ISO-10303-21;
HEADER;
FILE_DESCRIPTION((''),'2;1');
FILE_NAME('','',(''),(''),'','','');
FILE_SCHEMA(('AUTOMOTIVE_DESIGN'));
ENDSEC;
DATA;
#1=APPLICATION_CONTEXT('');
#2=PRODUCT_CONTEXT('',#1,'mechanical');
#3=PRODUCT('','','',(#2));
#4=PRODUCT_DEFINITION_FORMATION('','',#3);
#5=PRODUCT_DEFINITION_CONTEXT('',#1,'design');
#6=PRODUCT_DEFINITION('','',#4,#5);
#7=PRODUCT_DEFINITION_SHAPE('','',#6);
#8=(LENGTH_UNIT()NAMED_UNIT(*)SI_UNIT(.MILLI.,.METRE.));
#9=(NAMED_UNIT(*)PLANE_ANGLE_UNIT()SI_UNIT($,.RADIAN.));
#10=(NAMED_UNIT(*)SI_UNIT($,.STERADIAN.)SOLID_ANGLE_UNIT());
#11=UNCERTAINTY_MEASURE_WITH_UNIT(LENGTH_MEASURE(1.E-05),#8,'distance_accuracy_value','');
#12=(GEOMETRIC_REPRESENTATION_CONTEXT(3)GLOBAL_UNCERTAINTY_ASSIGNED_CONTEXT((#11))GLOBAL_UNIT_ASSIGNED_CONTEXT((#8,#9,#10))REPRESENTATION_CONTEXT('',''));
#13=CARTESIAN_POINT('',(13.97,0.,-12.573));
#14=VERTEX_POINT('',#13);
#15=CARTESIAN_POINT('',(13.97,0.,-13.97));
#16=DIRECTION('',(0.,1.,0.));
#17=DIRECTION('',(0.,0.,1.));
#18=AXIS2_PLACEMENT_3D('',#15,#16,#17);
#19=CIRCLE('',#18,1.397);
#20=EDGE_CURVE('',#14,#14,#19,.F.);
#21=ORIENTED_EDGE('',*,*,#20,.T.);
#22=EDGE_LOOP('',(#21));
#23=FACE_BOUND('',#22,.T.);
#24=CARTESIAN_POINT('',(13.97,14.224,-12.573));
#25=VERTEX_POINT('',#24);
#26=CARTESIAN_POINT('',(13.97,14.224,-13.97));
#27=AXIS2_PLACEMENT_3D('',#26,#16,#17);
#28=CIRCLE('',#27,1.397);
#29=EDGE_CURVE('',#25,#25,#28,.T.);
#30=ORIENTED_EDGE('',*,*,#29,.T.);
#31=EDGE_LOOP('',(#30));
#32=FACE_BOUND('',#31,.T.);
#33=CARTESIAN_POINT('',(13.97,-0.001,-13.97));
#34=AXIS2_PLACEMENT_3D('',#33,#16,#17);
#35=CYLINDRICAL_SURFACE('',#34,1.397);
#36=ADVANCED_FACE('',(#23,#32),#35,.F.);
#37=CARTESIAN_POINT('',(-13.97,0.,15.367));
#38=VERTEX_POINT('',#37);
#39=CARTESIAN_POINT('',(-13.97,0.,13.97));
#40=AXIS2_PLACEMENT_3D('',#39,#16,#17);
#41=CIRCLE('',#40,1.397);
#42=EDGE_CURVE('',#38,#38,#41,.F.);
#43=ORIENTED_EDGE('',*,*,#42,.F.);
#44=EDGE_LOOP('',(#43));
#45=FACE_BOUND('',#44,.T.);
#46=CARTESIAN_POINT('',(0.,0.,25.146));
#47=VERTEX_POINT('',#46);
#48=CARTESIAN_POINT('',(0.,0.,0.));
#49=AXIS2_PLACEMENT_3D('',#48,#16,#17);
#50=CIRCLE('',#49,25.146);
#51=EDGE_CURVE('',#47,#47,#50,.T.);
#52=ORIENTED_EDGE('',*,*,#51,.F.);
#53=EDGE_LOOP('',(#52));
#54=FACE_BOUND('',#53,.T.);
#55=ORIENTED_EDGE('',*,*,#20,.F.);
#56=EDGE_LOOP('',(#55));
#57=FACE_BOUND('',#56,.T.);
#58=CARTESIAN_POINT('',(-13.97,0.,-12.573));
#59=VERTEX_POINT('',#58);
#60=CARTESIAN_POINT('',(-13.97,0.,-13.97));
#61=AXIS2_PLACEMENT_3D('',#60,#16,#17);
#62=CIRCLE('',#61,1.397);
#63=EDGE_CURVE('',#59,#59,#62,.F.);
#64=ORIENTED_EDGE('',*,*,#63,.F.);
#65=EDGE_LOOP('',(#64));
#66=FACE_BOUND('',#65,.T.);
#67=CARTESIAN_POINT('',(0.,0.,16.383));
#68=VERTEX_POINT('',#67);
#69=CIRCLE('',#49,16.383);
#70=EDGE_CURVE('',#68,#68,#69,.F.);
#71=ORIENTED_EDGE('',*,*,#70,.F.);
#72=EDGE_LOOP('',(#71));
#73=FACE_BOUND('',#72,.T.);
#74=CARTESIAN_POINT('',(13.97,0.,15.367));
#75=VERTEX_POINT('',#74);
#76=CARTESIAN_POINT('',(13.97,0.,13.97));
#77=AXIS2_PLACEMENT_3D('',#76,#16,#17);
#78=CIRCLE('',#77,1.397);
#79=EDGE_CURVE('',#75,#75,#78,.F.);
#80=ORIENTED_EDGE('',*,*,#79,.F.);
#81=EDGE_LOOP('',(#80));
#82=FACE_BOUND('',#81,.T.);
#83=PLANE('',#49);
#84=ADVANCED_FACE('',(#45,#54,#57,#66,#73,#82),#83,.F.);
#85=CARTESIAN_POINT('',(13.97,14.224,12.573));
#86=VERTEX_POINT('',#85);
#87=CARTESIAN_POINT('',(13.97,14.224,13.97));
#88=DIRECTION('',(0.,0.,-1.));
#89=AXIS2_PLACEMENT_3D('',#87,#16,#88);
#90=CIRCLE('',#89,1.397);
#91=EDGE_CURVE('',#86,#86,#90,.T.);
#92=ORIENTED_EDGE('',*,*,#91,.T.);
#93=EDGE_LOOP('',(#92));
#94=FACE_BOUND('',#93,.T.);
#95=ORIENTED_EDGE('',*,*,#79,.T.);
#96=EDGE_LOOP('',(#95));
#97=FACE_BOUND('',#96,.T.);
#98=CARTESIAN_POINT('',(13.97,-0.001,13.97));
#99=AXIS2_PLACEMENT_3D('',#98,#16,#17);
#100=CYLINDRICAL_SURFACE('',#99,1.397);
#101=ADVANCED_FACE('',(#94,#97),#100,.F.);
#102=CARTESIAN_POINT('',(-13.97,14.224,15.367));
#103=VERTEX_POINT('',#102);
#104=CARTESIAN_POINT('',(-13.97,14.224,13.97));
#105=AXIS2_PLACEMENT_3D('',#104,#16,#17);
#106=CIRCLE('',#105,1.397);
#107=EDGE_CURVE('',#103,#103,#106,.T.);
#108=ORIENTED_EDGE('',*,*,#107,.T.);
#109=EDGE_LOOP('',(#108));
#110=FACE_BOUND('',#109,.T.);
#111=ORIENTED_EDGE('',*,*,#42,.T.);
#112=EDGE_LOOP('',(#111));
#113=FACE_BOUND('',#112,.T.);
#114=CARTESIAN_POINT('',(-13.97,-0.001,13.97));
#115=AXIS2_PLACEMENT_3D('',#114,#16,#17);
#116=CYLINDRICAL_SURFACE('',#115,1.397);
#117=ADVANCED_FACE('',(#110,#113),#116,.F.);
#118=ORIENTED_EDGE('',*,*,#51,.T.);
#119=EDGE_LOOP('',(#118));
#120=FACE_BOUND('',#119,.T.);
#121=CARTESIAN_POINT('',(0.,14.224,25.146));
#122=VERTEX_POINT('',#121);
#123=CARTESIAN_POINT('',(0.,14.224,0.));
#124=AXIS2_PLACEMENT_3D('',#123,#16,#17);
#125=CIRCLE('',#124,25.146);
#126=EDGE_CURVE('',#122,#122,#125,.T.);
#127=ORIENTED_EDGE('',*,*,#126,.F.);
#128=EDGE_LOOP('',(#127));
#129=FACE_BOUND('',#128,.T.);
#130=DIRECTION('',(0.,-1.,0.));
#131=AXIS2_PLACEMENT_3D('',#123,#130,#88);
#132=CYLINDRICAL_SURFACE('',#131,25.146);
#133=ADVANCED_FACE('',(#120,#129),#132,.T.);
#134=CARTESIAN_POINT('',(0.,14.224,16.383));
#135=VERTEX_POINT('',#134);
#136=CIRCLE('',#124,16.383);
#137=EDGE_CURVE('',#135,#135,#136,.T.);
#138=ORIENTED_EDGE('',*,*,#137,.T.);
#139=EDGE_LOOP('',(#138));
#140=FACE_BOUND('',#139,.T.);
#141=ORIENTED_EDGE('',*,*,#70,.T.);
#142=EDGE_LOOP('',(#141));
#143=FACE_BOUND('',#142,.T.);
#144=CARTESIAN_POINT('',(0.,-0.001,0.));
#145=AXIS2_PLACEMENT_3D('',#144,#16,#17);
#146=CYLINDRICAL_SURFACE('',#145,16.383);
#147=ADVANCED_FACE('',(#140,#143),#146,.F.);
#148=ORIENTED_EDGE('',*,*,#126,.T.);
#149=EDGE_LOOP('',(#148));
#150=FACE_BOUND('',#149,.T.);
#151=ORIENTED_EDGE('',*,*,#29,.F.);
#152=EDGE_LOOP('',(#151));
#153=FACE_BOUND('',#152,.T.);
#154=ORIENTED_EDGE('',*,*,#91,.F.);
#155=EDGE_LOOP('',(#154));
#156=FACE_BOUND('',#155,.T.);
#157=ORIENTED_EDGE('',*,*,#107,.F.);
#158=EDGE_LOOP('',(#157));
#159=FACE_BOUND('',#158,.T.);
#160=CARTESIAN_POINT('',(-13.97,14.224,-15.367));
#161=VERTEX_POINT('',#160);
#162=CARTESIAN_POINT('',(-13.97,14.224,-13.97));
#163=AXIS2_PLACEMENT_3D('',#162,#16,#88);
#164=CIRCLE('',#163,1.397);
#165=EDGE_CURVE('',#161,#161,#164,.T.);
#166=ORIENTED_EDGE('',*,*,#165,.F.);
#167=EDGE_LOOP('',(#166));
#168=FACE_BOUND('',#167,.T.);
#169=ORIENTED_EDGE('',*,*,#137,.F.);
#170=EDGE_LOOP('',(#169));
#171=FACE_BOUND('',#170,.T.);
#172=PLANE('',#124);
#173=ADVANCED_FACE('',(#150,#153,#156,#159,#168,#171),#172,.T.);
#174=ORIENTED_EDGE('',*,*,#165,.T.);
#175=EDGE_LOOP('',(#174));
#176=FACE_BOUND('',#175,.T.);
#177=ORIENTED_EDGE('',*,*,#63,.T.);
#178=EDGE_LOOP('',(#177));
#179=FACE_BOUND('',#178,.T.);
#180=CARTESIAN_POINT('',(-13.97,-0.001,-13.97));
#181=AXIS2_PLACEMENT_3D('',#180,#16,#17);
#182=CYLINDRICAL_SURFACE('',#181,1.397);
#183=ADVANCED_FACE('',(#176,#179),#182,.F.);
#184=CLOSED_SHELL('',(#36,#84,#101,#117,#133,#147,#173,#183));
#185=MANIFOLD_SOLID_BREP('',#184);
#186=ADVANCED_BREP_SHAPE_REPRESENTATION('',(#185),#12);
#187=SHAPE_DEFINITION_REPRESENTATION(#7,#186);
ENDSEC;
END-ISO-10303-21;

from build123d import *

# Parameters (mm, degrees)
SKETCH1_R           = 25.146
BOSS_EXTRUDE1_DEPTH = 14.224
CUT_EXTRUDE1_REACH  = 16.224
SKETCH2_R           = 1.397
CUT_EXTRUDE2_REACH  = 16.224
SKETCH3_R           = 16.383


with BuildPart() as part:
    # Sketch1 → Boss-Extrude1 (new body)
    with BuildSketch(Plane(origin=(0, 0, 0), x_dir=(1, 0, 0), z_dir=(0, 1, 0))):
        Circle(SKETCH1_R)
    extrude(amount=BOSS_EXTRUDE1_DEPTH)

    # Sketch2 → Cut-Extrude1 (cut, up to next)
    with BuildSketch(Plane(origin=(0, 14.224, 0), x_dir=(1, 0, 0), z_dir=(0, 1, 0)), mode=Mode.PRIVATE) as cut_extrude1_sk1:
        with Locations((13.97, 13.97)):
            Circle(SKETCH2_R)
    cut_extrude1_tool1 = extrude(cut_extrude1_sk1.sketch, amount=-CUT_EXTRUDE1_REACH, mode=Mode.PRIVATE) & part.part
    add(cut_extrude1_tool1.solids().sort_by_distance((13.97, 14.224, -13.97))[0], mode=Mode.SUBTRACT)
    # Sketch2 → Cut-Extrude1 (cut, up to next)
    with BuildSketch(Plane(origin=(0, 14.224, 0), x_dir=(1, 0, 0), z_dir=(0, 1, 0)), mode=Mode.PRIVATE) as cut_extrude1_sk2:
        with Locations((13.97, -13.97)):
            Circle(SKETCH2_R)
    cut_extrude1_tool2 = extrude(cut_extrude1_sk2.sketch, amount=-CUT_EXTRUDE1_REACH, mode=Mode.PRIVATE) & part.part
    add(cut_extrude1_tool2.solids().sort_by_distance((13.97, 14.224, 13.97))[0], mode=Mode.SUBTRACT)
    # Sketch2 → Cut-Extrude1 (cut, up to next)
    with BuildSketch(Plane(origin=(0, 14.224, 0), x_dir=(1, 0, 0), z_dir=(0, 1, 0)), mode=Mode.PRIVATE) as cut_extrude1_sk3:
        with Locations((-13.97, -13.97)):
            Circle(SKETCH2_R)
    cut_extrude1_tool3 = extrude(cut_extrude1_sk3.sketch, amount=-CUT_EXTRUDE1_REACH, mode=Mode.PRIVATE) & part.part
    add(cut_extrude1_tool3.solids().sort_by_distance((-13.97, 14.224, 13.97))[0], mode=Mode.SUBTRACT)
    # Sketch2 → Cut-Extrude1 (cut, up to next)
    with BuildSketch(Plane(origin=(0, 14.224, 0), x_dir=(1, 0, 0), z_dir=(0, 1, 0)), mode=Mode.PRIVATE) as cut_extrude1_sk4:
        with Locations((-13.97, 13.97)):
            Circle(SKETCH2_R)
    cut_extrude1_tool4 = extrude(cut_extrude1_sk4.sketch, amount=-CUT_EXTRUDE1_REACH, mode=Mode.PRIVATE) & part.part
    add(cut_extrude1_tool4.solids().sort_by_distance((-13.97, 14.224, -13.97))[0], mode=Mode.SUBTRACT)

    # Sketch3 → Cut-Extrude2 (cut, up to next)
    with BuildSketch(Plane(origin=(0, 14.224, 0), x_dir=(1, 0, 0), z_dir=(0, 1, 0)), mode=Mode.PRIVATE) as cut_extrude2_sk1:
        Circle(SKETCH3_R)
    cut_extrude2_tool1 = extrude(cut_extrude2_sk1.sketch, amount=-CUT_EXTRUDE2_REACH, mode=Mode.PRIVATE) & part.part
    add(cut_extrude2_tool1.solids().sort_by_distance((0, 14.224, 0))[0], mode=Mode.SUBTRACT)


solid = part.part
